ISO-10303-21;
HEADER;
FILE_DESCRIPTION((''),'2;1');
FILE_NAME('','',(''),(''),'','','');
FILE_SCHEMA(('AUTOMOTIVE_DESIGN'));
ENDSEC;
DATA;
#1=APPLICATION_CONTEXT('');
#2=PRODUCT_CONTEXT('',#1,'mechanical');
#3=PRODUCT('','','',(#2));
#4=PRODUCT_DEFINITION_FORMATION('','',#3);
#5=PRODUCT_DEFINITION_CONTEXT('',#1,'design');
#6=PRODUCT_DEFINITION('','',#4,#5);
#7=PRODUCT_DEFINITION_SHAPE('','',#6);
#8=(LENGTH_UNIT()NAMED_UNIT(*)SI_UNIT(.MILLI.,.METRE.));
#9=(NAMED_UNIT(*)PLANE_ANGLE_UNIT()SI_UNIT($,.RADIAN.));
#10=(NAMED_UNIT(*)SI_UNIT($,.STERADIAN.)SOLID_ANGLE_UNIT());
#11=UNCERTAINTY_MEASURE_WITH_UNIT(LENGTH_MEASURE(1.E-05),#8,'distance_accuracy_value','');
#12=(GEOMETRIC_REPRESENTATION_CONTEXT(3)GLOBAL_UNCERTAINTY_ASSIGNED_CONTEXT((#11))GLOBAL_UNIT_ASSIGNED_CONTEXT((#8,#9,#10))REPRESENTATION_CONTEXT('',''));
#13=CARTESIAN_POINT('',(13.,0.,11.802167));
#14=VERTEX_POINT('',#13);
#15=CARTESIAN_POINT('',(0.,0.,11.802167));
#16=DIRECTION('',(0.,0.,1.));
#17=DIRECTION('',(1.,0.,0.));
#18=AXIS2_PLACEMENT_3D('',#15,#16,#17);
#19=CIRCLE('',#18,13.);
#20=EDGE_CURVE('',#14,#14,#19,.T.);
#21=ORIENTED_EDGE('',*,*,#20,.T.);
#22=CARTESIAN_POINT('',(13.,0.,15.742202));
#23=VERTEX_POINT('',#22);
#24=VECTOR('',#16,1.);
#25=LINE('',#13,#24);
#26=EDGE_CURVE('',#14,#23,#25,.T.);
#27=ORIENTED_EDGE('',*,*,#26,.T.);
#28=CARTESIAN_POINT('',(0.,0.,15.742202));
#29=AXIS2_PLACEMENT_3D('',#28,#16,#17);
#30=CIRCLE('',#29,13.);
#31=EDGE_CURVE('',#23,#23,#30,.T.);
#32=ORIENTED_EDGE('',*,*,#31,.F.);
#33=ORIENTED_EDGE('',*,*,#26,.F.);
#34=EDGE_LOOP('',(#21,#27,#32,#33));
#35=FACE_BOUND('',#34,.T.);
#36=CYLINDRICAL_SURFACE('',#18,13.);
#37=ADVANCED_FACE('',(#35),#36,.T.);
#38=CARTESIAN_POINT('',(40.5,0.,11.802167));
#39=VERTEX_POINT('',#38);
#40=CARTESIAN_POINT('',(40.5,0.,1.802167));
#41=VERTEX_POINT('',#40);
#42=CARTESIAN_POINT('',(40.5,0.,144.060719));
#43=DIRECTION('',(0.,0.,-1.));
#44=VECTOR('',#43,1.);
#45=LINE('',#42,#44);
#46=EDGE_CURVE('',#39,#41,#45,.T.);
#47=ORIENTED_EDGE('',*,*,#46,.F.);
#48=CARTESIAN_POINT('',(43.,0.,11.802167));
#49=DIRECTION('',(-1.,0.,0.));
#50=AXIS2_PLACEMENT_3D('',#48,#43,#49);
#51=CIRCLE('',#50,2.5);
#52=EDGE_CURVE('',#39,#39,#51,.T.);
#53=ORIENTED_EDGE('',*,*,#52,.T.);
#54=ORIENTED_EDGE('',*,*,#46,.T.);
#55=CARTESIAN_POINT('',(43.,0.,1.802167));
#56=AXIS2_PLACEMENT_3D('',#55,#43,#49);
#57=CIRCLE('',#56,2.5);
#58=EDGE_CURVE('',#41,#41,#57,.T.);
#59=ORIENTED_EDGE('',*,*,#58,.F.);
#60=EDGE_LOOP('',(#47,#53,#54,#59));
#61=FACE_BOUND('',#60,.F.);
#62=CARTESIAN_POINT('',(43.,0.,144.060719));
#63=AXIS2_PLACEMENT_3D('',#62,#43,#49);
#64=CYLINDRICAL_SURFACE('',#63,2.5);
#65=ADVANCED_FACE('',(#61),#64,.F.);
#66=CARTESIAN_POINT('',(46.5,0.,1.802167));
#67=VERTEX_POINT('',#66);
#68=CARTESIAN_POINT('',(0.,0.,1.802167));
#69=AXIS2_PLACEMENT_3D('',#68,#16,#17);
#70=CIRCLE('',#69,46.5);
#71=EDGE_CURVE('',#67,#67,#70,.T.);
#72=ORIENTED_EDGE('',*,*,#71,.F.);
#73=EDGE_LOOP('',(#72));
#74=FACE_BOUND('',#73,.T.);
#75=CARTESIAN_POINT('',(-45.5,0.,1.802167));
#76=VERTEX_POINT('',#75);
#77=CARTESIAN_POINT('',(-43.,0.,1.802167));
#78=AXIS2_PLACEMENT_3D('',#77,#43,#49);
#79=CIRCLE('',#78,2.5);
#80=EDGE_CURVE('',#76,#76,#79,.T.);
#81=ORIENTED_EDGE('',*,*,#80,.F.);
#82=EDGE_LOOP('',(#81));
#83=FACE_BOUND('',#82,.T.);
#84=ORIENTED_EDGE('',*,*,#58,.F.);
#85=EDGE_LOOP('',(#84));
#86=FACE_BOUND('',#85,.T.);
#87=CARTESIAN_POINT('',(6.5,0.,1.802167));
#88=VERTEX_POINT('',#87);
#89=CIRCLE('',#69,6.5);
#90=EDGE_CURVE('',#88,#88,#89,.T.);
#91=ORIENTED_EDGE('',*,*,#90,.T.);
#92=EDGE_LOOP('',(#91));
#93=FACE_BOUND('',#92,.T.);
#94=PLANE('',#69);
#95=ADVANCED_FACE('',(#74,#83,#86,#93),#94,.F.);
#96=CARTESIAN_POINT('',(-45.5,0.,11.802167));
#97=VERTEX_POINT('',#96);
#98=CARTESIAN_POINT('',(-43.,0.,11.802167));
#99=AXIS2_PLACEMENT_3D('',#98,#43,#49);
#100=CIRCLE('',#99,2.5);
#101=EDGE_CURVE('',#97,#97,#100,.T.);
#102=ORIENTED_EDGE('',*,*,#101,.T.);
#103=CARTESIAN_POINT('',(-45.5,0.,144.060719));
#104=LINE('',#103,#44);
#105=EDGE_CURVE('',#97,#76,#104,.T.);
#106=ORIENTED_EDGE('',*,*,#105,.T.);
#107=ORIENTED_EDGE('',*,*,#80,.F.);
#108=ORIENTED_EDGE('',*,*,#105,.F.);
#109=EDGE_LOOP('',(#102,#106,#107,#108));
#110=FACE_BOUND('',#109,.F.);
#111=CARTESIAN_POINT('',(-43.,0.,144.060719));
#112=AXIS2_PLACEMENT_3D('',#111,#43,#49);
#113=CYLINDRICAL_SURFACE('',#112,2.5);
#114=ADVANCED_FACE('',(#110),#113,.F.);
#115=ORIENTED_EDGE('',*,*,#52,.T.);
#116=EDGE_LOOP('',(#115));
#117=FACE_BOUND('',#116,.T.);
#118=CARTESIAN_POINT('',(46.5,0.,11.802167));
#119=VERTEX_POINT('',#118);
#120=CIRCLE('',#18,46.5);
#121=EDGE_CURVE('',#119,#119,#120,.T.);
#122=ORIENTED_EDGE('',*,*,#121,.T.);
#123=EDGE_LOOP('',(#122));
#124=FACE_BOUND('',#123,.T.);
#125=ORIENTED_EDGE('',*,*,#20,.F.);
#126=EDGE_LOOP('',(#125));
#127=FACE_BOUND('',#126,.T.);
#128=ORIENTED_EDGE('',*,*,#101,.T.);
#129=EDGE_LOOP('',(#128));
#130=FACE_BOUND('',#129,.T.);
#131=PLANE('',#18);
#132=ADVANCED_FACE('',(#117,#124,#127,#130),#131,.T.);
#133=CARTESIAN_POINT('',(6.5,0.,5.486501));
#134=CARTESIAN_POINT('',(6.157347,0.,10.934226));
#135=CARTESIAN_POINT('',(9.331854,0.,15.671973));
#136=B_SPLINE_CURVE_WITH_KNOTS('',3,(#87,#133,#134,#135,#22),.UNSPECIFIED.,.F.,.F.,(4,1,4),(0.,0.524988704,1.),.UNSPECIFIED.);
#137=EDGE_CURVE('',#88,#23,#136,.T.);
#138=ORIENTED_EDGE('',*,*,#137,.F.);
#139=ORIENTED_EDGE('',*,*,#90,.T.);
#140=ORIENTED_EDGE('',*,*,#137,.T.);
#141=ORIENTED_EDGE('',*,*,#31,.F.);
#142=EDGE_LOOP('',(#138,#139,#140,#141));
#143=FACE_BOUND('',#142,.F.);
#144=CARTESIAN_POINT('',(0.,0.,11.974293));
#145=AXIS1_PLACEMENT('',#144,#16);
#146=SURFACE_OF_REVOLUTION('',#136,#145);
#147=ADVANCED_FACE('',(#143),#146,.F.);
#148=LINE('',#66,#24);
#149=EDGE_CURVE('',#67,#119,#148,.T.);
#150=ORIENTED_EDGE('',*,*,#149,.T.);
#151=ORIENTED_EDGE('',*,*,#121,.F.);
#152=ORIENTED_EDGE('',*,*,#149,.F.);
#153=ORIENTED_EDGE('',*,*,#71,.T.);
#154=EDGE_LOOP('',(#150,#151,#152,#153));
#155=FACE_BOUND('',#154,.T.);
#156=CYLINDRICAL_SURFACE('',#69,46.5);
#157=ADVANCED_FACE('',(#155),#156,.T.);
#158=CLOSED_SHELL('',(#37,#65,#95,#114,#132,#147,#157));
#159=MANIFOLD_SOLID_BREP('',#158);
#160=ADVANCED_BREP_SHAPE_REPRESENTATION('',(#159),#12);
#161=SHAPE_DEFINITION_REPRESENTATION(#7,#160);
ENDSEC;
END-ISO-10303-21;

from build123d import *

# Parameters (mm, degrees)
F3_D = 5


with BuildPart() as f1:
    # F0 (on Front) → F1 (revolve)
    with BuildSketch(Plane.XZ):
        with BuildLine():
            add(Edge.make_bspline(
                [(6.5, 1.8021672795), (6.5, 5.4865011201), (6.1573465947, 10.9342258193), (9.3318537328, 15.6719728273), (13, 15.7422021494)],
                knots=[0, 0, 0, 0, 0.5249887043, 1, 1, 1, 1], degree=3))
            Line((6.5, 1.8021672795), (46.5, 1.8021672795))
            Line((46.5, 1.8021672795), (46.5, 11.8021672795))
            Line((46.5, 11.8021672795), (14.9259945566, 11.8021672795))
            Line((14.9259945566, 11.8021672795), (13, 11.8021672795))
            Line((13, 11.8021672795), (13, 12.7422021494))
            Line((13, 12.7422021494), (13, 15.7422021494))
        make_face()
    revolve(axis=Axis((0, 0, 11.9742928073), (0, 0, 1)))

    # F3 (through all)
    with Locations(Plane.XY.offset(11.8021672795)):
        with Locations((-43, 0), (43, 0)):
            Hole(F3_D / 2)


solid = f1.part
